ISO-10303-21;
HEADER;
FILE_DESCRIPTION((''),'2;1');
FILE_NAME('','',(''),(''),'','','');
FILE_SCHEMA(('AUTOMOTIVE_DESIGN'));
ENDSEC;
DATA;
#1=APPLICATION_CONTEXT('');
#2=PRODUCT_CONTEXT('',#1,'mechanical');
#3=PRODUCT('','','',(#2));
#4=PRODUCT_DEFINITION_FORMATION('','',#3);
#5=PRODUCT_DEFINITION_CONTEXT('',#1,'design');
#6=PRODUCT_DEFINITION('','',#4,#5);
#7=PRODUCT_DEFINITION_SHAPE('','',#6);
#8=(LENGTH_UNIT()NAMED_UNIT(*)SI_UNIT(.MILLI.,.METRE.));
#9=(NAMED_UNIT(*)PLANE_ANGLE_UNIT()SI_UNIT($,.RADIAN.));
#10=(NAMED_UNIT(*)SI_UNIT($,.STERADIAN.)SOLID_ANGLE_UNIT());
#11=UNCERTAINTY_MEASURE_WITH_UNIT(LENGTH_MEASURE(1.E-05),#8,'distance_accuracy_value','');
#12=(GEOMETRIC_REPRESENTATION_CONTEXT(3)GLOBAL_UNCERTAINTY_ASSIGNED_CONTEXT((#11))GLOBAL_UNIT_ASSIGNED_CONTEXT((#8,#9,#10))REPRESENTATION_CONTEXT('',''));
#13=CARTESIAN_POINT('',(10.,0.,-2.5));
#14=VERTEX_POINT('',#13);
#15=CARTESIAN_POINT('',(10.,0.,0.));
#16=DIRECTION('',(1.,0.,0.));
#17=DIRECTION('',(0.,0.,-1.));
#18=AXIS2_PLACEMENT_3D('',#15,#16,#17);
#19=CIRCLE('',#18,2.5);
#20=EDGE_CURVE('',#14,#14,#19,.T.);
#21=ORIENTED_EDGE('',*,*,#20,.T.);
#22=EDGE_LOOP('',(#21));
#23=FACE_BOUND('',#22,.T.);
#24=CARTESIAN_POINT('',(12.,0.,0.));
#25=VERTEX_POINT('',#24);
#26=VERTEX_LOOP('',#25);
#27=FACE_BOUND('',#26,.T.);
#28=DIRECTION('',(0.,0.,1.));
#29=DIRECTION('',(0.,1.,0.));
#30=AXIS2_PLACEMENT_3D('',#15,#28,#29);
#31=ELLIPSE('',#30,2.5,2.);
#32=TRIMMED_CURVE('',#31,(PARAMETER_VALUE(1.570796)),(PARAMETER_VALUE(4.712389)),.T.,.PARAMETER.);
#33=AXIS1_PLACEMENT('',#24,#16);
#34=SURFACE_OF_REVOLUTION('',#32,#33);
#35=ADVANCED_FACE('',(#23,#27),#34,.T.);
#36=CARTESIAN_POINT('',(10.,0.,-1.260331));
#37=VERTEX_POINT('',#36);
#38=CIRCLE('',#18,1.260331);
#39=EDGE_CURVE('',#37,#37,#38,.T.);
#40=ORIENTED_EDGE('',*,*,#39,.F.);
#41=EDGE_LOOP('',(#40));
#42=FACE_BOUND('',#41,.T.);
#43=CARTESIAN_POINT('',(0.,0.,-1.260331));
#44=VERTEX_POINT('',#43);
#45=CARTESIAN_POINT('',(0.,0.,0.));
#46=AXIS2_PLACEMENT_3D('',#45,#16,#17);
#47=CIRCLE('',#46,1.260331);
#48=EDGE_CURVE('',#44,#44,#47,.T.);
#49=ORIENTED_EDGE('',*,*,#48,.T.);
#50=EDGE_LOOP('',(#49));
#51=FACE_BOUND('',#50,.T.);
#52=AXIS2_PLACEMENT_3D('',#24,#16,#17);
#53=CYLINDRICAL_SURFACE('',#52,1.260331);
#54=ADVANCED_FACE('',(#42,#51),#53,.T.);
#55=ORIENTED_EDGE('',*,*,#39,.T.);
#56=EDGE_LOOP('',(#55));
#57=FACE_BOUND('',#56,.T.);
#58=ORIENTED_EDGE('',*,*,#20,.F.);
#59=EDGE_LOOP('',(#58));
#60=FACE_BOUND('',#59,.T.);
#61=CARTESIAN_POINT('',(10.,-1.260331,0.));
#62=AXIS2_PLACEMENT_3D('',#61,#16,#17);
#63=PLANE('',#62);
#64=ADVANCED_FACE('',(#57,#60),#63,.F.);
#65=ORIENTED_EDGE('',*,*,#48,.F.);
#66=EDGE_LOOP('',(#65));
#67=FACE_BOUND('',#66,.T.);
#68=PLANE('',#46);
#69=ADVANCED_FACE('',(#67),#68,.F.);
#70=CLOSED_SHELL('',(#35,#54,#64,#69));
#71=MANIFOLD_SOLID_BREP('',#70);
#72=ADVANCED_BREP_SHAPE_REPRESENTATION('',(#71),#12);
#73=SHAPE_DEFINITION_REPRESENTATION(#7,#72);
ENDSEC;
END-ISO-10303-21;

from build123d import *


with BuildPart() as part:
    # Sketch1 → Revolve1 (revolve)
    with BuildSketch(Plane.XY, mode=Mode.PRIVATE) as revolve1_sk:
        with BuildLine():
            Line((0, 0), (0, -1.260330579))
            Line((0, -1.260330579), (10, -1.260330579))
            Line((10, -1.260330579), (10, -2.5))
            add(Edge.make_bspline(
                [(10, -2.5), (12, -2.5), (12, 0)],
                knots=[3.141592654, 3.141592654, 3.141592654, 4.71238898, 4.71238898, 4.71238898], degree=2, weights=[1, 0.707106781, 1]))
            Line((12, 0), (0, 0))
        make_face()
    revolve(revolve1_sk.sketch.rotate(Axis((12, 0, 0), (-1, 0, 0)), 270), axis=Axis((12, 0, 0), (-1, 0, 0)))


solid = part.part
